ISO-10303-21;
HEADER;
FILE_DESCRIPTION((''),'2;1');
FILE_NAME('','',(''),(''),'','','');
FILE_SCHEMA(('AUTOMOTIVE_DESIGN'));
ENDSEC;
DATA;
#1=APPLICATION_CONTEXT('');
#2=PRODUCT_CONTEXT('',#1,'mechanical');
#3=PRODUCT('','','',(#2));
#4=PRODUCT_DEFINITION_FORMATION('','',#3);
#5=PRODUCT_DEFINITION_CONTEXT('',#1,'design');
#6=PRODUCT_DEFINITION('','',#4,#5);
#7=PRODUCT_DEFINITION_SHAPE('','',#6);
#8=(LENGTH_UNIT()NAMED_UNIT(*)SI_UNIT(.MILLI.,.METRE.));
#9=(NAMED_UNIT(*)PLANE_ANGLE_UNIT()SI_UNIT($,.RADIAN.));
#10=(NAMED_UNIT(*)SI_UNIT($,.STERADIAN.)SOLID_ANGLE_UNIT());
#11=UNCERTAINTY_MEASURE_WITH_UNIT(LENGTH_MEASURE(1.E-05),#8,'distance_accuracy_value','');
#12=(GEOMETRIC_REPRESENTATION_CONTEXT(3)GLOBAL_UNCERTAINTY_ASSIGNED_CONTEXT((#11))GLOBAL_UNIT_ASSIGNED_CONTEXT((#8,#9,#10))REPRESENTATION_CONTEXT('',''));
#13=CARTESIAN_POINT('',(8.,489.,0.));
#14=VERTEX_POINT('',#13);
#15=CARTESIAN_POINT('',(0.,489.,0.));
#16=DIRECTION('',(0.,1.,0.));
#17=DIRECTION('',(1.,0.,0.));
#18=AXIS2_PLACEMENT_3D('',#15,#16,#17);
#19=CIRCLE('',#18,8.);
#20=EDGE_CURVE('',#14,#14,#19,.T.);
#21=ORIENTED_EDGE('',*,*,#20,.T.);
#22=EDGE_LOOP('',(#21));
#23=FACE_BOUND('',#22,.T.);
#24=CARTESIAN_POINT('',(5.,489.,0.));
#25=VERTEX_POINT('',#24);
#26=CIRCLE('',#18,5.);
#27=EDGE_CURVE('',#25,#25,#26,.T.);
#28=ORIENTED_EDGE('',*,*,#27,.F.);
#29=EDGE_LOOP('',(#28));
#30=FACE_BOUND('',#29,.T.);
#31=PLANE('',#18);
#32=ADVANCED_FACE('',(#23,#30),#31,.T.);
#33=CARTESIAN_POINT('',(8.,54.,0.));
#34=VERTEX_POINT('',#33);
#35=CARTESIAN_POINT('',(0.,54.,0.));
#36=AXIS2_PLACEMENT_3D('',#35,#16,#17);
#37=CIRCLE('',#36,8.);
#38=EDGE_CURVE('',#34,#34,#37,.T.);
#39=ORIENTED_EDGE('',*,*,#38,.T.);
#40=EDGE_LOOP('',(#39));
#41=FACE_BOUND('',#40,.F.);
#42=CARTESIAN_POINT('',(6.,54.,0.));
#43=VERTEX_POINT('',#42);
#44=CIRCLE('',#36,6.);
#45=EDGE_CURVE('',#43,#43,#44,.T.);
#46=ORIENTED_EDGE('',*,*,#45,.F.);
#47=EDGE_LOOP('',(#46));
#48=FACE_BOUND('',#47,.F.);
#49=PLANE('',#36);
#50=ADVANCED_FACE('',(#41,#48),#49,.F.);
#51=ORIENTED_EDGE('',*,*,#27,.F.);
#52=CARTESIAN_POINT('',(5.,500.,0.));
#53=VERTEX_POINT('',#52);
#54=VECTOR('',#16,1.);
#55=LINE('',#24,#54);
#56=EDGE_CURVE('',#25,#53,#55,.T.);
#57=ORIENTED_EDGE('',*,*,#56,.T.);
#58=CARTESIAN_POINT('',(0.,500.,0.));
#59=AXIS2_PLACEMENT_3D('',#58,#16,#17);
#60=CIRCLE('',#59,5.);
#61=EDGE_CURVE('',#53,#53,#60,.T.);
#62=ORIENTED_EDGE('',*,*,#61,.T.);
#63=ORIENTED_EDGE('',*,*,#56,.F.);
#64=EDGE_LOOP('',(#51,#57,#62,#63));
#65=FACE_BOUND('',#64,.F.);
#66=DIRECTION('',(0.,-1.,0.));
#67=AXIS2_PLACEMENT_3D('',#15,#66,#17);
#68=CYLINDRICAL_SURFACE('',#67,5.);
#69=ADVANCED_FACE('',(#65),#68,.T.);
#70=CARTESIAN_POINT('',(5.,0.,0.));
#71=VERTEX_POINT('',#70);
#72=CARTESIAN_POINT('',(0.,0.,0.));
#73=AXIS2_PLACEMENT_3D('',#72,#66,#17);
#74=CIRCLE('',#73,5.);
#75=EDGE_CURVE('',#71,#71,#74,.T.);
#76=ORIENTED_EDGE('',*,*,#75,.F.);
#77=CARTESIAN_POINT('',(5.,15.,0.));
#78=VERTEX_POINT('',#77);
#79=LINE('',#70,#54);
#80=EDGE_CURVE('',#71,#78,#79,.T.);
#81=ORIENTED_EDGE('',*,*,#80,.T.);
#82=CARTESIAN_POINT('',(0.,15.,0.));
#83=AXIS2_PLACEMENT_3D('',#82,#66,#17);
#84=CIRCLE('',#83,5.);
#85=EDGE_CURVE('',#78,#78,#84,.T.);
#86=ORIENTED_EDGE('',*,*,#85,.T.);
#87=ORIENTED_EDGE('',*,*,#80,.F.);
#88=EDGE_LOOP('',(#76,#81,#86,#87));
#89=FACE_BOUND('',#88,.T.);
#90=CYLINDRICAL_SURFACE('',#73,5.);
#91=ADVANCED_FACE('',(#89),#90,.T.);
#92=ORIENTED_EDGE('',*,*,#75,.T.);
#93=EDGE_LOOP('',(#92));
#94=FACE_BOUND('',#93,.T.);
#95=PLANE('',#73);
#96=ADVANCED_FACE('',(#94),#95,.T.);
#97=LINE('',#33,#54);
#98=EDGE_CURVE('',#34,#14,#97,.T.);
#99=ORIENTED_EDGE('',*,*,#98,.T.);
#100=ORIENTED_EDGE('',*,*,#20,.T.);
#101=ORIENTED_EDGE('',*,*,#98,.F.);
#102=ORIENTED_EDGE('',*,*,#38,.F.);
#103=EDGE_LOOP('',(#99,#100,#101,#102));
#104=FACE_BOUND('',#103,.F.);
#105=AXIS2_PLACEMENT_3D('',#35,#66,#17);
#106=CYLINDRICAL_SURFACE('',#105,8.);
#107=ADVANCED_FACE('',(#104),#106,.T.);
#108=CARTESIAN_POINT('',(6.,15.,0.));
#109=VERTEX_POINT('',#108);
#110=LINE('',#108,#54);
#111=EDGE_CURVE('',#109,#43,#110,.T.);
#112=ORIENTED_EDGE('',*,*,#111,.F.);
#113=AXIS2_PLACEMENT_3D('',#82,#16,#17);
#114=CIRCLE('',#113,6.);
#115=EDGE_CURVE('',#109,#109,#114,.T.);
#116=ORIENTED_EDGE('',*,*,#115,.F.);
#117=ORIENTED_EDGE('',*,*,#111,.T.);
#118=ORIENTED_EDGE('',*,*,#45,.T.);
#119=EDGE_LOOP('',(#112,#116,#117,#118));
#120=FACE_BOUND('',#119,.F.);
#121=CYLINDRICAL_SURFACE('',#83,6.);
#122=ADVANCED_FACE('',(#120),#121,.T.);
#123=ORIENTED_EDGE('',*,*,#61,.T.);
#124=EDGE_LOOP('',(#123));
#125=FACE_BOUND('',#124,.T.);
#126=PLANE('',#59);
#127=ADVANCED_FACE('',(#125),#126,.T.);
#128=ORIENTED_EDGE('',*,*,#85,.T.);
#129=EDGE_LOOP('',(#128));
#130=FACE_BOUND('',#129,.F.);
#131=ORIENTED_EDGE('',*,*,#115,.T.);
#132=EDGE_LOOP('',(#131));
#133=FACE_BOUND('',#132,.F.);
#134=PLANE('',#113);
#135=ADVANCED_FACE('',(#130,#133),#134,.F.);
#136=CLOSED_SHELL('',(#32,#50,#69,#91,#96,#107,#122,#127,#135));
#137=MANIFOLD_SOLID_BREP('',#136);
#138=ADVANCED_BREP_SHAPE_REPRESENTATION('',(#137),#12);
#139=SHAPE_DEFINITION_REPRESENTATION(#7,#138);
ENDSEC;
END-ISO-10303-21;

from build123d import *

# Parameters (mm, degrees)
SKETCH_R     = 5
PAD_DEPTH    = 15
SKETCH001_R  = 6
PAD001_DEPTH = 39
SKETCH002_R  = 8
PAD002_DEPTH = 435
SKETCH003_R  = 5
PAD003_DEPTH = 11


with BuildPart() as part:
    # Sketch → Pad (new body)
    with BuildSketch(Plane.XZ):
        Circle(SKETCH_R)
    extrude(amount=-PAD_DEPTH)

    # Sketch001 (on Face3 of Pad) → Pad001 (join)
    with BuildSketch(Plane(origin=(0, 15, 0), x_dir=(1, 0, 0), z_dir=(0, 1, 0))):
        Circle(SKETCH001_R)
    extrude(amount=PAD001_DEPTH)

    # Sketch002 (on Face3 of Pad001) → Pad002 (join)
    with BuildSketch(Plane(origin=(0, 54, 0), x_dir=(1, 0, 0), z_dir=(0, 1, 0))):
        Circle(SKETCH002_R)
    extrude(amount=PAD002_DEPTH)

    # Sketch003 (on Face3 of Pad002) → Pad003 (join)
    with BuildSketch(Plane(origin=(0, 489, 0), x_dir=(1, 0, 0), z_dir=(0, 1, 0))):
        Circle(SKETCH003_R)
    extrude(amount=PAD003_DEPTH)


solid = part.part
